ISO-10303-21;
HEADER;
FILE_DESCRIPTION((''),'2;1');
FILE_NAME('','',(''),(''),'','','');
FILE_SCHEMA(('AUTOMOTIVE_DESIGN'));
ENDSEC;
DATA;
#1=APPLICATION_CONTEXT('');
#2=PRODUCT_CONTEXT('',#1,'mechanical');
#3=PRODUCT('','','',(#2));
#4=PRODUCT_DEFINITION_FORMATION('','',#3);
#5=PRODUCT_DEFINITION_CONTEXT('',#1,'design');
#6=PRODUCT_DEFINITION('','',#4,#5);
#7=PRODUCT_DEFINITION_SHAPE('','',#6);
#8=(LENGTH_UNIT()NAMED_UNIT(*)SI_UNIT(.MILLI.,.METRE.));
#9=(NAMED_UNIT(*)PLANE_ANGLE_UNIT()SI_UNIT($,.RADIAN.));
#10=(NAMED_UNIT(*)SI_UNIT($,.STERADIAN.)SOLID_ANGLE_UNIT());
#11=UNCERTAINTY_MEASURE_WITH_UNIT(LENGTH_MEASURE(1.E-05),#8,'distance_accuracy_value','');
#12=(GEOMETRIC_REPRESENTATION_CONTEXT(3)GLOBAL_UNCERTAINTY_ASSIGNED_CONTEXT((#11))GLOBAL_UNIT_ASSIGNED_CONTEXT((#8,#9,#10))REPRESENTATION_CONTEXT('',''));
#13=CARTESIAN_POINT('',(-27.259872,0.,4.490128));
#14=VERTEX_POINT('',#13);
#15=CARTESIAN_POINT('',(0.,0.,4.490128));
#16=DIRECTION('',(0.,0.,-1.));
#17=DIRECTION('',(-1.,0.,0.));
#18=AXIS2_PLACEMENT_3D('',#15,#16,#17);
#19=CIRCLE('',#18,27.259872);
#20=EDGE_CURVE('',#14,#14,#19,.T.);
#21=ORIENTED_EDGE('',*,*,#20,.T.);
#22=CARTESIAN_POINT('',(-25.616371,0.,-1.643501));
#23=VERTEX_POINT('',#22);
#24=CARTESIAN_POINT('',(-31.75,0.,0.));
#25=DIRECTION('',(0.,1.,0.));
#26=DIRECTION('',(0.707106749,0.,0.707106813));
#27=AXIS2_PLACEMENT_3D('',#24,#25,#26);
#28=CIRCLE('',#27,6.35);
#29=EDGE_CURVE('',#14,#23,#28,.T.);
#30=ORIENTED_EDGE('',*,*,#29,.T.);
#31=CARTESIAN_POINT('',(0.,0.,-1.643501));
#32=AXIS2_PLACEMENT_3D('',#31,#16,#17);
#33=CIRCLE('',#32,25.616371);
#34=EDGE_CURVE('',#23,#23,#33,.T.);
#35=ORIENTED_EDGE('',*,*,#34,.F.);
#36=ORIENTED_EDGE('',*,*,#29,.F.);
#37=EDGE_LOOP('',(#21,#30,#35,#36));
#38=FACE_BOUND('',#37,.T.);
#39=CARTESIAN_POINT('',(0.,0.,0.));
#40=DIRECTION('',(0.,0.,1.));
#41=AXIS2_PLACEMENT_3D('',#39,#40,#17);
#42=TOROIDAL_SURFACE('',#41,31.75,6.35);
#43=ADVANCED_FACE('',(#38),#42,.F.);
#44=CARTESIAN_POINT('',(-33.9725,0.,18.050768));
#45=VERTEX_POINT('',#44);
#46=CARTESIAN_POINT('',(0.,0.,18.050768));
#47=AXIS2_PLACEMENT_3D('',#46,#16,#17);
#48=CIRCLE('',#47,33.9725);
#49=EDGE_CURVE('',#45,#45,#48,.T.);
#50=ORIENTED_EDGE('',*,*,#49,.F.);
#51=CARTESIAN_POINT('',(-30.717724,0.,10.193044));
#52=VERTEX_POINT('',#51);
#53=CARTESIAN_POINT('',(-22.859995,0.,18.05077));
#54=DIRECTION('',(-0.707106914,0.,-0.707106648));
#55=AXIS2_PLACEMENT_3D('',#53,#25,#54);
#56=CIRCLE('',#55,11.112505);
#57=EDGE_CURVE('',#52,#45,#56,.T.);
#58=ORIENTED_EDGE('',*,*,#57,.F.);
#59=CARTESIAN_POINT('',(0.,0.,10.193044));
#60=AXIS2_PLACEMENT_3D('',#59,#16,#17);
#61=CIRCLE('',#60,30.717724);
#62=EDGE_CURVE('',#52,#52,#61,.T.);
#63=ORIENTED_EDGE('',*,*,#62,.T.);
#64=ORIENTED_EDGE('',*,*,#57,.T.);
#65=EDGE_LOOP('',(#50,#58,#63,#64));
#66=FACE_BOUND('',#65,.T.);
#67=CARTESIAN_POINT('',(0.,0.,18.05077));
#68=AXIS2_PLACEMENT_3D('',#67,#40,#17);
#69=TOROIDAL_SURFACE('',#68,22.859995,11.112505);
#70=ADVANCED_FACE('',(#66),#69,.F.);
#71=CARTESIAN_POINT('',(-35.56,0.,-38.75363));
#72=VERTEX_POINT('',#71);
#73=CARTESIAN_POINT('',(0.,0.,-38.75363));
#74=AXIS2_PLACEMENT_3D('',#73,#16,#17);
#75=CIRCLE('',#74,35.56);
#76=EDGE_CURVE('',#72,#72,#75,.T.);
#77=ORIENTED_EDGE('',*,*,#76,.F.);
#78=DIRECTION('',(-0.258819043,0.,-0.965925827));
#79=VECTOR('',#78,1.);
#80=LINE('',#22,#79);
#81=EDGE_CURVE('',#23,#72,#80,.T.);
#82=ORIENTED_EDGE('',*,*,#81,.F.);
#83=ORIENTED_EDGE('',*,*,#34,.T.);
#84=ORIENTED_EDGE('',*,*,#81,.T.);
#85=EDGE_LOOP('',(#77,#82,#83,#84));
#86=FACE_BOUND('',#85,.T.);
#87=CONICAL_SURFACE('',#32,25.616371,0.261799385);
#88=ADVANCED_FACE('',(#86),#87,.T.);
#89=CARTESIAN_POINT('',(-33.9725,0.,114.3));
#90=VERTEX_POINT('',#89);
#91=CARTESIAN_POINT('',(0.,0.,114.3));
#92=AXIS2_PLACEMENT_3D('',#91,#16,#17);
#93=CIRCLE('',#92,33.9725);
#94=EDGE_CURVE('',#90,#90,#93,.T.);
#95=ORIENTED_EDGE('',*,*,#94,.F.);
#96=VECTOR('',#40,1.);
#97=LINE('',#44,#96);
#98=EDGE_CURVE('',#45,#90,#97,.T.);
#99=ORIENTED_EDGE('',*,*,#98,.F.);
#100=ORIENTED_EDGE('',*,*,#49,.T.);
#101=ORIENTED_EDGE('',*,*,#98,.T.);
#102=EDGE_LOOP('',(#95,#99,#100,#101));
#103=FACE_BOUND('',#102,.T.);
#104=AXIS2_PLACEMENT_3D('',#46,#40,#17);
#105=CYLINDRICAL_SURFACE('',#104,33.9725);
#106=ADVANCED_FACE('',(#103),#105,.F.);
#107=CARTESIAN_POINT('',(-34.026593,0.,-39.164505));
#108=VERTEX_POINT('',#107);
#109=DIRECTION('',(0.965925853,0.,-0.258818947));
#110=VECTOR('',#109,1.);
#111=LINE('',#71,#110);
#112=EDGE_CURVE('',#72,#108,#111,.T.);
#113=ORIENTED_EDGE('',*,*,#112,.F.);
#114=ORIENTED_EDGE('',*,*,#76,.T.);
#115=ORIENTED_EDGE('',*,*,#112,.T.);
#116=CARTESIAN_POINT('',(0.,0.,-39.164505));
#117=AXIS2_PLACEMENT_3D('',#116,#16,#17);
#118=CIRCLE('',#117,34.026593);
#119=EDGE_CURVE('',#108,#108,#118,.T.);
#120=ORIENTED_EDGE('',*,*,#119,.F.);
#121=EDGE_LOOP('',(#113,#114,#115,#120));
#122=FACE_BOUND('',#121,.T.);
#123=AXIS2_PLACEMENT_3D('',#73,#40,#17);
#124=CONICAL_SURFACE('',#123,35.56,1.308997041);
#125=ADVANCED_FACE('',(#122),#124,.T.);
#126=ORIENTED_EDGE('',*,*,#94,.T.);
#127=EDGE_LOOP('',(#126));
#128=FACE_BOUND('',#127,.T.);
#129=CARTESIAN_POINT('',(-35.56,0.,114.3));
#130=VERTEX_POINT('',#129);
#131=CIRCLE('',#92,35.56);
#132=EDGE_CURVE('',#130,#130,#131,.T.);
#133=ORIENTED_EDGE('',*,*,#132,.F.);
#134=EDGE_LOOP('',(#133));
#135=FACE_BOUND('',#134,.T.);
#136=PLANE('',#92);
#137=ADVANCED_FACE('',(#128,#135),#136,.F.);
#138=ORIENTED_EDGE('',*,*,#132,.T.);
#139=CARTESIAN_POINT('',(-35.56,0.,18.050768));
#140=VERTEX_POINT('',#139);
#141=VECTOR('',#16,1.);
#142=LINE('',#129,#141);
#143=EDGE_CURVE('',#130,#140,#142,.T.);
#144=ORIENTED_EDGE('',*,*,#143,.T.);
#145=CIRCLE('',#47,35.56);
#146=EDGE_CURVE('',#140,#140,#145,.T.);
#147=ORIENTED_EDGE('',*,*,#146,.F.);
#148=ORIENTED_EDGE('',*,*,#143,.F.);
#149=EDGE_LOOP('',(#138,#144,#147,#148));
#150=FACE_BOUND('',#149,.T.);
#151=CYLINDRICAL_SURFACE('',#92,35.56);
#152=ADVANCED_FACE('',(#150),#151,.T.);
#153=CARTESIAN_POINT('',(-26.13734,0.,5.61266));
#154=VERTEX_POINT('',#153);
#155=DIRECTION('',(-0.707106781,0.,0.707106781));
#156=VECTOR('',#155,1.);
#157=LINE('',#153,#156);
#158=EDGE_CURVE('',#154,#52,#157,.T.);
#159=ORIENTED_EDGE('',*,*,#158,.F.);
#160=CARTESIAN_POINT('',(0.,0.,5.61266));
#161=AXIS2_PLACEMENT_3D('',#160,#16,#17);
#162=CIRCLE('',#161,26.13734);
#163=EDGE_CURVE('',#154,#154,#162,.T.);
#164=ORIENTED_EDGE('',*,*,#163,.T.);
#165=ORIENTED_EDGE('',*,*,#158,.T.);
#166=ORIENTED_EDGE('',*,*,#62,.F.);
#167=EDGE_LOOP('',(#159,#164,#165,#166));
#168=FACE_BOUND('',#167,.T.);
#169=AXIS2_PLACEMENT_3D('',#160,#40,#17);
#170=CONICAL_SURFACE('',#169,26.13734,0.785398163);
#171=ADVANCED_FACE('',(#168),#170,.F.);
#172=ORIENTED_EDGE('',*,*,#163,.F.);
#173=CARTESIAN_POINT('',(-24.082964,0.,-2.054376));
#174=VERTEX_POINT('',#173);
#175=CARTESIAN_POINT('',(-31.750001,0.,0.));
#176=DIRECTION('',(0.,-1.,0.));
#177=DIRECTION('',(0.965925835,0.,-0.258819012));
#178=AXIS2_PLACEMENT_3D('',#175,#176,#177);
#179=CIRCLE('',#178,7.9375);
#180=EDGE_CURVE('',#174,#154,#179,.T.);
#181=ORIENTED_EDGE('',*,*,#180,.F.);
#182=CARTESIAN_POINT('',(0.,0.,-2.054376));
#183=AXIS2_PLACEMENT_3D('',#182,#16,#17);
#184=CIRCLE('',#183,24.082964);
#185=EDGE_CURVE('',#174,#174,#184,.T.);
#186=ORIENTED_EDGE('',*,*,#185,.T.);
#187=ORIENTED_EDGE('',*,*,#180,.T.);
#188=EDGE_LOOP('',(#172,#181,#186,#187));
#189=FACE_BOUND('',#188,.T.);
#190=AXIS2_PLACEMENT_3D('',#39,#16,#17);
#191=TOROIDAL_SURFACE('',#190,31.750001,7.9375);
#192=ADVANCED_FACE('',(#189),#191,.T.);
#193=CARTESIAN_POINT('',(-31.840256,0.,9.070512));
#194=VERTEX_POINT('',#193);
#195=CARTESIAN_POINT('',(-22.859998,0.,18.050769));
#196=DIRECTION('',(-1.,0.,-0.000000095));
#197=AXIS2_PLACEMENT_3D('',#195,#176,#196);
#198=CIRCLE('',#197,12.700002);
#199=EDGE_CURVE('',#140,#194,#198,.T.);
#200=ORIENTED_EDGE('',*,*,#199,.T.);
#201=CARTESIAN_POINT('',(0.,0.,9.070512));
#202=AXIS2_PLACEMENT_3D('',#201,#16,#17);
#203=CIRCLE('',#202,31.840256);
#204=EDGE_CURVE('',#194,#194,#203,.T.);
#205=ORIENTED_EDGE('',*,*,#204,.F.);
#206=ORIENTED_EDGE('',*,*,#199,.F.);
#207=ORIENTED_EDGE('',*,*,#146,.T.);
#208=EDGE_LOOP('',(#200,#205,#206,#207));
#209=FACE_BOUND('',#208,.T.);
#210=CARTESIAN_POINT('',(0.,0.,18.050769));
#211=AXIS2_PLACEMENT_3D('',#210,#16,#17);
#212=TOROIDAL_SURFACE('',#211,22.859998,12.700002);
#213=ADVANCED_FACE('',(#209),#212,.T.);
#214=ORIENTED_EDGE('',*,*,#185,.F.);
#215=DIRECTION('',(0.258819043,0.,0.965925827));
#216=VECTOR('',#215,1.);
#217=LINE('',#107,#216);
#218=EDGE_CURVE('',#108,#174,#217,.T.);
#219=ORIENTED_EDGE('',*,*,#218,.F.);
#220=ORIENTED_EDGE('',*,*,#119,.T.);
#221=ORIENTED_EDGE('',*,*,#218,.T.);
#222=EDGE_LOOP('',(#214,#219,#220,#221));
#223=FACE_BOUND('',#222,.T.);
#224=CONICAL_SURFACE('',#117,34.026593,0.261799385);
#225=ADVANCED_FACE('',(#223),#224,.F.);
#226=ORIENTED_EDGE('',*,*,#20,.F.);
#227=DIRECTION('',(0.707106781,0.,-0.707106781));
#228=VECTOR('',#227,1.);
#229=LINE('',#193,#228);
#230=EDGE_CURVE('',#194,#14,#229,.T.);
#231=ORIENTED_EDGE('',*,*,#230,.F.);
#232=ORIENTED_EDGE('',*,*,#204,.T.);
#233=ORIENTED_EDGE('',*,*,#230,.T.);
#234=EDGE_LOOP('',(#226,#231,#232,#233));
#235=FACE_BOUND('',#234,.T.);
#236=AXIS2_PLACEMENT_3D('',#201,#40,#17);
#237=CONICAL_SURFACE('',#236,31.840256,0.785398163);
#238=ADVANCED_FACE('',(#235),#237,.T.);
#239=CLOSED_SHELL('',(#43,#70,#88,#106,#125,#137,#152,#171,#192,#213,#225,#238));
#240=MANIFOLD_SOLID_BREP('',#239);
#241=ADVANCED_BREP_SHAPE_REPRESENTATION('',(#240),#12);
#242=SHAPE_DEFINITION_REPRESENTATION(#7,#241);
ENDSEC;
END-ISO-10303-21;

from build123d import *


with BuildPart() as f1:
    # F0 (on Front) → F1 (revolve)
    with BuildSketch(Plane.XZ):
        with BuildLine():
            Line((-33.9725, 114.3), (-35.56, 114.3))
            Line((-35.56, 114.3), (-35.56, 18.050768))
            ThreePointArc((-35.56, 18.050768), (-34.59327, 13.190689), (-31.840256, 9.070512))
            Line((-31.840256, 9.070512), (-27.259872, 4.490128))
            ThreePointArc((-27.259872, 4.490128), (-25.616371, 1.643501), (-25.616371, -1.643501))
            Line((-25.616371, -1.643501), (-35.56, -38.75363))
            Line((-35.56, -38.75363), (-34.026593, -39.164505))
            Line((-34.026593, -39.164505), (-24.082964, -2.054376))
            ThreePointArc((-24.082964, -2.054376), (-24.082964, 2.054376), (-26.13734, 5.61266))
            Line((-26.13734, 5.61266), (-30.717724, 10.193044))
            ThreePointArc((-30.717724, 10.193044), (-33.126611, 13.798199), (-33.9725, 18.050768))
            Line((-33.9725, 18.050768), (-33.9725, 114.3))
        make_face()
    revolve(axis=Axis((0, 0, 37.567748), (0, 0, -1)))


solid = f1.part
